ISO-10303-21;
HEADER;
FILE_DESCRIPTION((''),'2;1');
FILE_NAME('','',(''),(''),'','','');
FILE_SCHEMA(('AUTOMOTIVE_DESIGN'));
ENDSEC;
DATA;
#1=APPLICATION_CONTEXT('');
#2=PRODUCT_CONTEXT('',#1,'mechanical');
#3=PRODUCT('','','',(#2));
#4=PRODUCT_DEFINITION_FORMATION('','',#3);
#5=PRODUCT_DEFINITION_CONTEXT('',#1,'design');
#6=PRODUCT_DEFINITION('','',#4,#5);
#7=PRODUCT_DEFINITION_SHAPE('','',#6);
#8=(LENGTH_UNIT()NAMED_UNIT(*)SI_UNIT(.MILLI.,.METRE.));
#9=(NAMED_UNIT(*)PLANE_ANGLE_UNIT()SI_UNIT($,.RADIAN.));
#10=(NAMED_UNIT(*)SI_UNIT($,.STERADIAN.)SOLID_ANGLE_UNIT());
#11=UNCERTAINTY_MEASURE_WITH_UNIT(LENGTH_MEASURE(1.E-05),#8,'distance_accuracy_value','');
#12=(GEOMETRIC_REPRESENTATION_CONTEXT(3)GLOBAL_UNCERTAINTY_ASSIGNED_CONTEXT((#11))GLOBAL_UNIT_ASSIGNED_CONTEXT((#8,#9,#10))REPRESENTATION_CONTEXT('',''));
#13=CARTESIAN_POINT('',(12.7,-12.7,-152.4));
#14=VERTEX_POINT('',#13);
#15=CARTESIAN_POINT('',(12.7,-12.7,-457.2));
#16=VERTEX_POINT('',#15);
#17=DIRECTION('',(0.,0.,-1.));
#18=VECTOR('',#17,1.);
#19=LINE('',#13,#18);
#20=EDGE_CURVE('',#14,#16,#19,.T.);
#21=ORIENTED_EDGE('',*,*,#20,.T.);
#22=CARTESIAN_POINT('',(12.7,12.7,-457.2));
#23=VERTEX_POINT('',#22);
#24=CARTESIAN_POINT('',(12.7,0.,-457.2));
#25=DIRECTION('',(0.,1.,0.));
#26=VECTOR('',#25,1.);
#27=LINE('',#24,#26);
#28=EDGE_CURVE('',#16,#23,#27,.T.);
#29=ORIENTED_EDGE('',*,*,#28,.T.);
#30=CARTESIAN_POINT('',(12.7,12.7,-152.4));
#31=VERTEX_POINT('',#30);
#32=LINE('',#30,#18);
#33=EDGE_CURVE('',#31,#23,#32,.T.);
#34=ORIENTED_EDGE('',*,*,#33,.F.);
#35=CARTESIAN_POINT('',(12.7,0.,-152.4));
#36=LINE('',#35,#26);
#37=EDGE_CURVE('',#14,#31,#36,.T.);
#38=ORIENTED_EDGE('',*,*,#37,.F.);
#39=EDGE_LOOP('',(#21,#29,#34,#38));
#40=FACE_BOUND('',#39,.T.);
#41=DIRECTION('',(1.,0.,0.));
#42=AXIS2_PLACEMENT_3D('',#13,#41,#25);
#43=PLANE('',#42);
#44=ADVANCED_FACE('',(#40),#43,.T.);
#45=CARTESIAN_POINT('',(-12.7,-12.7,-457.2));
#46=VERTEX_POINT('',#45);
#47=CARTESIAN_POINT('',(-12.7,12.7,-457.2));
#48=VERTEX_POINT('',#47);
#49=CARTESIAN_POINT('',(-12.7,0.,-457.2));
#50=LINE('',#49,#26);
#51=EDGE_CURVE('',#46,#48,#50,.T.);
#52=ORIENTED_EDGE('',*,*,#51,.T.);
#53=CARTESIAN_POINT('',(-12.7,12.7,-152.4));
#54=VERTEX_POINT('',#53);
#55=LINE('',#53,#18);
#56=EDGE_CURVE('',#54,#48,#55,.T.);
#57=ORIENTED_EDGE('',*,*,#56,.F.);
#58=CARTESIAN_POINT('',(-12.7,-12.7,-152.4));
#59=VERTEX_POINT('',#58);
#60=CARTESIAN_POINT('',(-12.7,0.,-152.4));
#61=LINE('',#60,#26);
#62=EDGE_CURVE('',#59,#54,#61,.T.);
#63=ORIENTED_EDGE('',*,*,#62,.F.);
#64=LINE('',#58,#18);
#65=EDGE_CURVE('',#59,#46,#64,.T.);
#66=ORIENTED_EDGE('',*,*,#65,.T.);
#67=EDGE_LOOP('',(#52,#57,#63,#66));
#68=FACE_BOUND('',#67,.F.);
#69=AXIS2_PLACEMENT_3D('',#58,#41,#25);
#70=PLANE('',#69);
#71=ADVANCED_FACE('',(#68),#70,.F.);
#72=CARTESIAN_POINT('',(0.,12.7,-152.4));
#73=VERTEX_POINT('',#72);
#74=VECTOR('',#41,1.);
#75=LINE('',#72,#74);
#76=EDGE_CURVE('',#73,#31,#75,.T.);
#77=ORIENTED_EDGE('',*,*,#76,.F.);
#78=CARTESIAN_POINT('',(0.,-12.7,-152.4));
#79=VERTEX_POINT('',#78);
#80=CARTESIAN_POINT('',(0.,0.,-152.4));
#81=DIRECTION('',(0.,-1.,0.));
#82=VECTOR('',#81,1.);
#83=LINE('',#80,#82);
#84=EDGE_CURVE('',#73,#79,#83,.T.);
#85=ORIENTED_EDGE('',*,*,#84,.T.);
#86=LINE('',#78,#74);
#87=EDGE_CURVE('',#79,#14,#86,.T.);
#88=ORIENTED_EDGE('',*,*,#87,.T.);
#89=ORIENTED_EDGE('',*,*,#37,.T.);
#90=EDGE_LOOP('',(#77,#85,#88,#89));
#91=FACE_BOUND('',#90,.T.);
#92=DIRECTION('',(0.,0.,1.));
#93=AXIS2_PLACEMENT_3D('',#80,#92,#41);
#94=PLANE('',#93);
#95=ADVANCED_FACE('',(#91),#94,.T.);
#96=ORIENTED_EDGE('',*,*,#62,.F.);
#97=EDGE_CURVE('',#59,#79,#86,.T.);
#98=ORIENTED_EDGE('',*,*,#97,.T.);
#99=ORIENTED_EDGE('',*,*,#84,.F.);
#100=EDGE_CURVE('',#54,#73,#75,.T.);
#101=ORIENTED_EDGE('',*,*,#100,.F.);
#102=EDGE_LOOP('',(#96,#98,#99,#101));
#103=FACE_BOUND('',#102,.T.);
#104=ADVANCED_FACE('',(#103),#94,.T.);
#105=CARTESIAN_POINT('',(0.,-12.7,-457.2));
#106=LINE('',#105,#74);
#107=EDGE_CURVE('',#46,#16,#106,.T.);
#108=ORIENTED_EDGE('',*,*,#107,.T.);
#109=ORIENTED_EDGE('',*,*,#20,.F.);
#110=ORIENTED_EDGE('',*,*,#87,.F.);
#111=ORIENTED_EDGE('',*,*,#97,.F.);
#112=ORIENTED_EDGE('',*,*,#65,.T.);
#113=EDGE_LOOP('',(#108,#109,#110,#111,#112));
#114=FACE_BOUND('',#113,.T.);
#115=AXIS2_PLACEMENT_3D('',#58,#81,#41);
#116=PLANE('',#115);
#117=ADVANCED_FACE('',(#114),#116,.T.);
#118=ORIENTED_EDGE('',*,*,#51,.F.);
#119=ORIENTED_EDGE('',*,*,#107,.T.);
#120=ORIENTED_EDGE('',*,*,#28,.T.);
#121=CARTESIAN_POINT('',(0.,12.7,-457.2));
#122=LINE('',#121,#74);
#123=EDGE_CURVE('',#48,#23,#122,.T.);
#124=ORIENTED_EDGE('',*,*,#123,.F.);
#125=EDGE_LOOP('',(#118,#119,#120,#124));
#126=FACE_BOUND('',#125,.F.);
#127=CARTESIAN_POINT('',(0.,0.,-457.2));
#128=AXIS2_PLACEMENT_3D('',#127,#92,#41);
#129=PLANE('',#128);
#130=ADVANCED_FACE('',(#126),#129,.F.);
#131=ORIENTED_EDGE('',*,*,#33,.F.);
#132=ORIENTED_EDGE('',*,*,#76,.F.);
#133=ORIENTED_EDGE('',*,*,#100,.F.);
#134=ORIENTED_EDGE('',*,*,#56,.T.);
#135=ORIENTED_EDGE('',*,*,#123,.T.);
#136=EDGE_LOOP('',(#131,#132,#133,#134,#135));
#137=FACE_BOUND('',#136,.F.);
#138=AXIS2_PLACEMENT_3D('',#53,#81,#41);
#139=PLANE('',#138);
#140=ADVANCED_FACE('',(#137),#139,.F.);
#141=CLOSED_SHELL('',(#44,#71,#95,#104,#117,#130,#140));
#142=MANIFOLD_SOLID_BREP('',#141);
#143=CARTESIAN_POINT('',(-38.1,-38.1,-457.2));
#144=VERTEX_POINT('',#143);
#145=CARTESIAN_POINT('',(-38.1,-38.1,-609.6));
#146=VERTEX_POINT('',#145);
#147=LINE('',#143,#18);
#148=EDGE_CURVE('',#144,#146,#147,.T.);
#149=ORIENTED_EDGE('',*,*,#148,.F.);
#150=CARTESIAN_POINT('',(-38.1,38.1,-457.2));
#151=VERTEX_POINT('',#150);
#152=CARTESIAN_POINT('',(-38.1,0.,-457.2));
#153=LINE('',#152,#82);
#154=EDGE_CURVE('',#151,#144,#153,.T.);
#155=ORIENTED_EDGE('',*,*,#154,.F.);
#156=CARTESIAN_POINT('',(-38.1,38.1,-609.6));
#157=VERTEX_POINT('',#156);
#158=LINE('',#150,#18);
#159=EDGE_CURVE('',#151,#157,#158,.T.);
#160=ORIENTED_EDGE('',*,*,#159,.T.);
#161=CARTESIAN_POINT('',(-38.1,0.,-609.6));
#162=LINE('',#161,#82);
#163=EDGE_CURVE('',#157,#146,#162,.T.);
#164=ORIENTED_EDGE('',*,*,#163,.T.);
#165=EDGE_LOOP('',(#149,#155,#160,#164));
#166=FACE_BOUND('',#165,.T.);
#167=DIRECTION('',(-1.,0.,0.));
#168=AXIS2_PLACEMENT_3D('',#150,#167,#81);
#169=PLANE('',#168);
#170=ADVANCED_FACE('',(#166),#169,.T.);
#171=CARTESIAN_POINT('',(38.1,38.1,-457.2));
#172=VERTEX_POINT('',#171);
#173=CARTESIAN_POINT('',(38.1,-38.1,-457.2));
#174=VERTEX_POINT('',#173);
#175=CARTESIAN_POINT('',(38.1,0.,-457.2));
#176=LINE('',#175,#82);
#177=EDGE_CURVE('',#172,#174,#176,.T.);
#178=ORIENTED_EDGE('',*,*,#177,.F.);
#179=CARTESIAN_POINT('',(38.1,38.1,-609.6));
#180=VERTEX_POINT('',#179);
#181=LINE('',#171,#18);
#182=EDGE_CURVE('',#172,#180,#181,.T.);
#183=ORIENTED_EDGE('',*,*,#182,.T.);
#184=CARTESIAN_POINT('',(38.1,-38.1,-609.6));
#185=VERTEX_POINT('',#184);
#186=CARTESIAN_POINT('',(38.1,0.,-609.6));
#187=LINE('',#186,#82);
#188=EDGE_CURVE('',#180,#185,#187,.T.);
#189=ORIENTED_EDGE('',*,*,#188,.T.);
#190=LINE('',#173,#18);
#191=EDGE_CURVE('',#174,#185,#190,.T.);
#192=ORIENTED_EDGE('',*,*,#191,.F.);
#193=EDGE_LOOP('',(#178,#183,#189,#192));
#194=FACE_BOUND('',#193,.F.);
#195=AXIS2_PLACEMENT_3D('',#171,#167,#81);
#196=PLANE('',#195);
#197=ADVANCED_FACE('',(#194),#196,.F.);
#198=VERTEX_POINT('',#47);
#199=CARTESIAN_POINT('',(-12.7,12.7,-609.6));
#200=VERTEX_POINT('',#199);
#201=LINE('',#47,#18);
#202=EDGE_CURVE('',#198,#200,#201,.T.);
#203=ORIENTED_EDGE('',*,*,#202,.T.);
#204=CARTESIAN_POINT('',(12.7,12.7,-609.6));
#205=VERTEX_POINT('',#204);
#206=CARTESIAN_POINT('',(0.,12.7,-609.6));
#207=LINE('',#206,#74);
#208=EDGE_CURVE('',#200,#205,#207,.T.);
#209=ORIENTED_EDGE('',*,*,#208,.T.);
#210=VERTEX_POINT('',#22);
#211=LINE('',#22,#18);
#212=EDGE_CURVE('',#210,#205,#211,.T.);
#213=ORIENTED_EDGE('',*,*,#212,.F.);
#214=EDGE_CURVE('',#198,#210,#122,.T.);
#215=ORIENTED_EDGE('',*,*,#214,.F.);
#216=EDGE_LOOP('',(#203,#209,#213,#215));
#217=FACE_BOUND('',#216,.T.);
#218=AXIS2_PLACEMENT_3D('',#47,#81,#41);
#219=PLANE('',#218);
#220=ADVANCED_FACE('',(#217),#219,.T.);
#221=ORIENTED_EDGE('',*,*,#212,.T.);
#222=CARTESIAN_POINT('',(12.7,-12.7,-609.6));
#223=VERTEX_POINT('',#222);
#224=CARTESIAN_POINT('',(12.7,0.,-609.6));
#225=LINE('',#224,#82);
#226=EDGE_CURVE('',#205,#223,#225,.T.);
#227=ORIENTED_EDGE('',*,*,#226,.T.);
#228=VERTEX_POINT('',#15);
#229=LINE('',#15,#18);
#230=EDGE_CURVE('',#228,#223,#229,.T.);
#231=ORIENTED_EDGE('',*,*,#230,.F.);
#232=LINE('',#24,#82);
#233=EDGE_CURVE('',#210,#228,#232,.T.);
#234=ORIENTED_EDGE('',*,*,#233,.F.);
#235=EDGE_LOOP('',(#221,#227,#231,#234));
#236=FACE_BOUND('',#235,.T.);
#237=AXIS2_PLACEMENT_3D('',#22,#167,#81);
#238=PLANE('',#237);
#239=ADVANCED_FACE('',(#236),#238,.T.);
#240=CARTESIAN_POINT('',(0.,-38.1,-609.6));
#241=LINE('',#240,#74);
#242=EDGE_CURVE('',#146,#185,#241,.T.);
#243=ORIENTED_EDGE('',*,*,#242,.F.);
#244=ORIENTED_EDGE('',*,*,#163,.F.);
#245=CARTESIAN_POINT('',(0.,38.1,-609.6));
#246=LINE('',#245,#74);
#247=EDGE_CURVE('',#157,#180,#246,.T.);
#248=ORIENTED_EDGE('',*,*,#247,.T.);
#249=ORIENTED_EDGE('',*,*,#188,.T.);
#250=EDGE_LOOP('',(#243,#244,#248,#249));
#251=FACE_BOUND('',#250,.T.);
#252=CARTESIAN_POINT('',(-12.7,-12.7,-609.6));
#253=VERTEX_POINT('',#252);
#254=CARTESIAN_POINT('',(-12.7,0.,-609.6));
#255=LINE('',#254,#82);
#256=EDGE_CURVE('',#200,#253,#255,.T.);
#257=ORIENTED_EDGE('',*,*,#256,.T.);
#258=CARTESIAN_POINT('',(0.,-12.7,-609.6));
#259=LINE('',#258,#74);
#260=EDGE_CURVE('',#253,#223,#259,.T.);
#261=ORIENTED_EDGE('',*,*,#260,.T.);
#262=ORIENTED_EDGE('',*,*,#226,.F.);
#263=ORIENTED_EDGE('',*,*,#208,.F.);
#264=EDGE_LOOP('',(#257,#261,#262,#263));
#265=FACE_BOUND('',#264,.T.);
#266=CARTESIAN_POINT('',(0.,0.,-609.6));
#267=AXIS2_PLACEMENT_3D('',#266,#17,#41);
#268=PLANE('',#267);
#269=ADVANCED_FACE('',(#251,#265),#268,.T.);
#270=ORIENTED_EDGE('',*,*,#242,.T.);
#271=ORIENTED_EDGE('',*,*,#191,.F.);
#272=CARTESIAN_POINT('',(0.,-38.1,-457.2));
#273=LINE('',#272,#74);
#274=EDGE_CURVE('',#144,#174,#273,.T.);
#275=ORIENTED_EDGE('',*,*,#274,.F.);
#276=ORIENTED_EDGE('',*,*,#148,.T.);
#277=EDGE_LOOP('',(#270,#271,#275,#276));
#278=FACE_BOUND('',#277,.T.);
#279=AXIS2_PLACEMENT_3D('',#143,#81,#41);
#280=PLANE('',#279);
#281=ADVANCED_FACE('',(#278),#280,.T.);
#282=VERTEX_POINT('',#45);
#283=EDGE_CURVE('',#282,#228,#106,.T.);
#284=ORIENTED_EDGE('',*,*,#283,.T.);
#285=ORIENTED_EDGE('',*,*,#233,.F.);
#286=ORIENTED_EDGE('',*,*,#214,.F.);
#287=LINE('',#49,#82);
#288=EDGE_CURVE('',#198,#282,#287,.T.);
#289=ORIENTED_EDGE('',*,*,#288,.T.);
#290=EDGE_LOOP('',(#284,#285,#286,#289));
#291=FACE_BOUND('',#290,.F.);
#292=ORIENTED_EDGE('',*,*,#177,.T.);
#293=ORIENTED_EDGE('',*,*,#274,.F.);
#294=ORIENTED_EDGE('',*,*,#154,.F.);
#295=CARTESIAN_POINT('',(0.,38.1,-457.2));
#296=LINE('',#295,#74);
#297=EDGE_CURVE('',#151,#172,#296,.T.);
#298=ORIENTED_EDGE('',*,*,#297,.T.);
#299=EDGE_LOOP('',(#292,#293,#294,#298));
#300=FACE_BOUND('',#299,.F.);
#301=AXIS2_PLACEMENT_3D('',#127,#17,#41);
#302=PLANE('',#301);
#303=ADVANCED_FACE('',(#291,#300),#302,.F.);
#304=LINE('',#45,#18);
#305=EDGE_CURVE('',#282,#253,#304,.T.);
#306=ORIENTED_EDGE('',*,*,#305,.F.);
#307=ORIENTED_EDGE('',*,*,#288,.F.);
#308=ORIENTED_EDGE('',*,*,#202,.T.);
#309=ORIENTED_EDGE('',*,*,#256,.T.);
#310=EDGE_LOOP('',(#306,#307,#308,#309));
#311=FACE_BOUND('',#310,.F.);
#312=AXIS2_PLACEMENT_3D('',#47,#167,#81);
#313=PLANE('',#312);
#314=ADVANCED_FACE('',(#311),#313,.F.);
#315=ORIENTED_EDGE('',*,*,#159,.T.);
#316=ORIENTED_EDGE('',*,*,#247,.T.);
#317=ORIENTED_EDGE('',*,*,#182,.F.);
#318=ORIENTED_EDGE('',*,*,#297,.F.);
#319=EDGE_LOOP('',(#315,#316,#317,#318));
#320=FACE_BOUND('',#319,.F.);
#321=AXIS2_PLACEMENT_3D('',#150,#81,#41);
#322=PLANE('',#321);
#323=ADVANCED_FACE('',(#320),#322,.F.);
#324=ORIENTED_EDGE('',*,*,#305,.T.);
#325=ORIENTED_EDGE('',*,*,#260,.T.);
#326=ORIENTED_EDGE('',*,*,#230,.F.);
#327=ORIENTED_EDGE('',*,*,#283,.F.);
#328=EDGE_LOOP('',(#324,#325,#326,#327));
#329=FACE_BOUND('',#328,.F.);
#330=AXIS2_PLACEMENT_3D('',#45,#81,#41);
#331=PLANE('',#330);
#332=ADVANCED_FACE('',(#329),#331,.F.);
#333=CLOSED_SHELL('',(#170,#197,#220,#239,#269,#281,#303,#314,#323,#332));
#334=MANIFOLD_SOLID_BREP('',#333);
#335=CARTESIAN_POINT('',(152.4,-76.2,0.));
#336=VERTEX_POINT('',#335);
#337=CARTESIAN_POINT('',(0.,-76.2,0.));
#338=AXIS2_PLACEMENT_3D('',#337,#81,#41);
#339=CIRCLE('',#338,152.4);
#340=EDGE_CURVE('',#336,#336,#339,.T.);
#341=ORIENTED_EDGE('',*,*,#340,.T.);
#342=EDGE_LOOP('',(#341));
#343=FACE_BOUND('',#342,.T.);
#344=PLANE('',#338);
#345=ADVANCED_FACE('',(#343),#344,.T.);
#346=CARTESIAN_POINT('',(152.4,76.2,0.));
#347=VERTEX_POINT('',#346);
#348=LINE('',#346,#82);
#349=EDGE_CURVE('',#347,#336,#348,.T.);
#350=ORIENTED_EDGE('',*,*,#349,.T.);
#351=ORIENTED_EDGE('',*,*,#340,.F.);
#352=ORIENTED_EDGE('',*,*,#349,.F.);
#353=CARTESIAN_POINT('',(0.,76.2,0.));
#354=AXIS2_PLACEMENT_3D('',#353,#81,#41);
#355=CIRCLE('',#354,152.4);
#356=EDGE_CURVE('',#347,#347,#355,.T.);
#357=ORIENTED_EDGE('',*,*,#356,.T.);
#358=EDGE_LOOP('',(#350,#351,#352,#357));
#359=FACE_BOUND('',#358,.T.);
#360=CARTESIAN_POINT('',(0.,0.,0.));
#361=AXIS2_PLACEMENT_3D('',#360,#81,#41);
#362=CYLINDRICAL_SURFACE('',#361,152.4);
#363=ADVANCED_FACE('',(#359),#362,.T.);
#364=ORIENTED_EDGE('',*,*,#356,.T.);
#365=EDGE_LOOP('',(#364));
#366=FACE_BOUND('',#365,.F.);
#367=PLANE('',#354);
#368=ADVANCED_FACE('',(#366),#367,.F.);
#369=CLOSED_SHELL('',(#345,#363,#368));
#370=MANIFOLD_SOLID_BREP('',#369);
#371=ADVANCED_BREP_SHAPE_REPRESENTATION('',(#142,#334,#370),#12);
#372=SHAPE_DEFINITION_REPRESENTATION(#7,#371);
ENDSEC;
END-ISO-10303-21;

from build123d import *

# Parameters (mm, degrees)
F0_R     = 152.4
F1_DEPTH = 76.2
F3_W     = 25.4
F3_H     = 25.4
F4_DEPTH = 304.8
F5_W     = 76.2
F5_H     = 76.2
F5_W_2   = 25.4
F5_H_2   = 25.4
F6_DEPTH = 152.4


with BuildPart() as f1:
    # F0 (on Front) → F1 (new body, symmetric)
    with BuildSketch(Plane.XZ):
        Circle(F0_R)
    extrude(amount=F1_DEPTH, both=True)

    # F3 (on offset) → F4 (join)
    with BuildSketch(Plane.XY.offset(-152.4)):
        Rectangle(F3_W, F3_H)
    extrude(amount=-F4_DEPTH)


with BuildPart() as f6:
    # F5 (on face) → F6 (new body)
    with BuildSketch(Plane(origin=(0, 0, -457.2), x_dir=(1, 0, 0), z_dir=(0, 0, -1))):
        Rectangle(F5_W, F5_H)
        Rectangle(F5_W_2, F5_H_2, mode=Mode.SUBTRACT)
    extrude(amount=F6_DEPTH)


solid = Compound([f1.part, f6.part])
